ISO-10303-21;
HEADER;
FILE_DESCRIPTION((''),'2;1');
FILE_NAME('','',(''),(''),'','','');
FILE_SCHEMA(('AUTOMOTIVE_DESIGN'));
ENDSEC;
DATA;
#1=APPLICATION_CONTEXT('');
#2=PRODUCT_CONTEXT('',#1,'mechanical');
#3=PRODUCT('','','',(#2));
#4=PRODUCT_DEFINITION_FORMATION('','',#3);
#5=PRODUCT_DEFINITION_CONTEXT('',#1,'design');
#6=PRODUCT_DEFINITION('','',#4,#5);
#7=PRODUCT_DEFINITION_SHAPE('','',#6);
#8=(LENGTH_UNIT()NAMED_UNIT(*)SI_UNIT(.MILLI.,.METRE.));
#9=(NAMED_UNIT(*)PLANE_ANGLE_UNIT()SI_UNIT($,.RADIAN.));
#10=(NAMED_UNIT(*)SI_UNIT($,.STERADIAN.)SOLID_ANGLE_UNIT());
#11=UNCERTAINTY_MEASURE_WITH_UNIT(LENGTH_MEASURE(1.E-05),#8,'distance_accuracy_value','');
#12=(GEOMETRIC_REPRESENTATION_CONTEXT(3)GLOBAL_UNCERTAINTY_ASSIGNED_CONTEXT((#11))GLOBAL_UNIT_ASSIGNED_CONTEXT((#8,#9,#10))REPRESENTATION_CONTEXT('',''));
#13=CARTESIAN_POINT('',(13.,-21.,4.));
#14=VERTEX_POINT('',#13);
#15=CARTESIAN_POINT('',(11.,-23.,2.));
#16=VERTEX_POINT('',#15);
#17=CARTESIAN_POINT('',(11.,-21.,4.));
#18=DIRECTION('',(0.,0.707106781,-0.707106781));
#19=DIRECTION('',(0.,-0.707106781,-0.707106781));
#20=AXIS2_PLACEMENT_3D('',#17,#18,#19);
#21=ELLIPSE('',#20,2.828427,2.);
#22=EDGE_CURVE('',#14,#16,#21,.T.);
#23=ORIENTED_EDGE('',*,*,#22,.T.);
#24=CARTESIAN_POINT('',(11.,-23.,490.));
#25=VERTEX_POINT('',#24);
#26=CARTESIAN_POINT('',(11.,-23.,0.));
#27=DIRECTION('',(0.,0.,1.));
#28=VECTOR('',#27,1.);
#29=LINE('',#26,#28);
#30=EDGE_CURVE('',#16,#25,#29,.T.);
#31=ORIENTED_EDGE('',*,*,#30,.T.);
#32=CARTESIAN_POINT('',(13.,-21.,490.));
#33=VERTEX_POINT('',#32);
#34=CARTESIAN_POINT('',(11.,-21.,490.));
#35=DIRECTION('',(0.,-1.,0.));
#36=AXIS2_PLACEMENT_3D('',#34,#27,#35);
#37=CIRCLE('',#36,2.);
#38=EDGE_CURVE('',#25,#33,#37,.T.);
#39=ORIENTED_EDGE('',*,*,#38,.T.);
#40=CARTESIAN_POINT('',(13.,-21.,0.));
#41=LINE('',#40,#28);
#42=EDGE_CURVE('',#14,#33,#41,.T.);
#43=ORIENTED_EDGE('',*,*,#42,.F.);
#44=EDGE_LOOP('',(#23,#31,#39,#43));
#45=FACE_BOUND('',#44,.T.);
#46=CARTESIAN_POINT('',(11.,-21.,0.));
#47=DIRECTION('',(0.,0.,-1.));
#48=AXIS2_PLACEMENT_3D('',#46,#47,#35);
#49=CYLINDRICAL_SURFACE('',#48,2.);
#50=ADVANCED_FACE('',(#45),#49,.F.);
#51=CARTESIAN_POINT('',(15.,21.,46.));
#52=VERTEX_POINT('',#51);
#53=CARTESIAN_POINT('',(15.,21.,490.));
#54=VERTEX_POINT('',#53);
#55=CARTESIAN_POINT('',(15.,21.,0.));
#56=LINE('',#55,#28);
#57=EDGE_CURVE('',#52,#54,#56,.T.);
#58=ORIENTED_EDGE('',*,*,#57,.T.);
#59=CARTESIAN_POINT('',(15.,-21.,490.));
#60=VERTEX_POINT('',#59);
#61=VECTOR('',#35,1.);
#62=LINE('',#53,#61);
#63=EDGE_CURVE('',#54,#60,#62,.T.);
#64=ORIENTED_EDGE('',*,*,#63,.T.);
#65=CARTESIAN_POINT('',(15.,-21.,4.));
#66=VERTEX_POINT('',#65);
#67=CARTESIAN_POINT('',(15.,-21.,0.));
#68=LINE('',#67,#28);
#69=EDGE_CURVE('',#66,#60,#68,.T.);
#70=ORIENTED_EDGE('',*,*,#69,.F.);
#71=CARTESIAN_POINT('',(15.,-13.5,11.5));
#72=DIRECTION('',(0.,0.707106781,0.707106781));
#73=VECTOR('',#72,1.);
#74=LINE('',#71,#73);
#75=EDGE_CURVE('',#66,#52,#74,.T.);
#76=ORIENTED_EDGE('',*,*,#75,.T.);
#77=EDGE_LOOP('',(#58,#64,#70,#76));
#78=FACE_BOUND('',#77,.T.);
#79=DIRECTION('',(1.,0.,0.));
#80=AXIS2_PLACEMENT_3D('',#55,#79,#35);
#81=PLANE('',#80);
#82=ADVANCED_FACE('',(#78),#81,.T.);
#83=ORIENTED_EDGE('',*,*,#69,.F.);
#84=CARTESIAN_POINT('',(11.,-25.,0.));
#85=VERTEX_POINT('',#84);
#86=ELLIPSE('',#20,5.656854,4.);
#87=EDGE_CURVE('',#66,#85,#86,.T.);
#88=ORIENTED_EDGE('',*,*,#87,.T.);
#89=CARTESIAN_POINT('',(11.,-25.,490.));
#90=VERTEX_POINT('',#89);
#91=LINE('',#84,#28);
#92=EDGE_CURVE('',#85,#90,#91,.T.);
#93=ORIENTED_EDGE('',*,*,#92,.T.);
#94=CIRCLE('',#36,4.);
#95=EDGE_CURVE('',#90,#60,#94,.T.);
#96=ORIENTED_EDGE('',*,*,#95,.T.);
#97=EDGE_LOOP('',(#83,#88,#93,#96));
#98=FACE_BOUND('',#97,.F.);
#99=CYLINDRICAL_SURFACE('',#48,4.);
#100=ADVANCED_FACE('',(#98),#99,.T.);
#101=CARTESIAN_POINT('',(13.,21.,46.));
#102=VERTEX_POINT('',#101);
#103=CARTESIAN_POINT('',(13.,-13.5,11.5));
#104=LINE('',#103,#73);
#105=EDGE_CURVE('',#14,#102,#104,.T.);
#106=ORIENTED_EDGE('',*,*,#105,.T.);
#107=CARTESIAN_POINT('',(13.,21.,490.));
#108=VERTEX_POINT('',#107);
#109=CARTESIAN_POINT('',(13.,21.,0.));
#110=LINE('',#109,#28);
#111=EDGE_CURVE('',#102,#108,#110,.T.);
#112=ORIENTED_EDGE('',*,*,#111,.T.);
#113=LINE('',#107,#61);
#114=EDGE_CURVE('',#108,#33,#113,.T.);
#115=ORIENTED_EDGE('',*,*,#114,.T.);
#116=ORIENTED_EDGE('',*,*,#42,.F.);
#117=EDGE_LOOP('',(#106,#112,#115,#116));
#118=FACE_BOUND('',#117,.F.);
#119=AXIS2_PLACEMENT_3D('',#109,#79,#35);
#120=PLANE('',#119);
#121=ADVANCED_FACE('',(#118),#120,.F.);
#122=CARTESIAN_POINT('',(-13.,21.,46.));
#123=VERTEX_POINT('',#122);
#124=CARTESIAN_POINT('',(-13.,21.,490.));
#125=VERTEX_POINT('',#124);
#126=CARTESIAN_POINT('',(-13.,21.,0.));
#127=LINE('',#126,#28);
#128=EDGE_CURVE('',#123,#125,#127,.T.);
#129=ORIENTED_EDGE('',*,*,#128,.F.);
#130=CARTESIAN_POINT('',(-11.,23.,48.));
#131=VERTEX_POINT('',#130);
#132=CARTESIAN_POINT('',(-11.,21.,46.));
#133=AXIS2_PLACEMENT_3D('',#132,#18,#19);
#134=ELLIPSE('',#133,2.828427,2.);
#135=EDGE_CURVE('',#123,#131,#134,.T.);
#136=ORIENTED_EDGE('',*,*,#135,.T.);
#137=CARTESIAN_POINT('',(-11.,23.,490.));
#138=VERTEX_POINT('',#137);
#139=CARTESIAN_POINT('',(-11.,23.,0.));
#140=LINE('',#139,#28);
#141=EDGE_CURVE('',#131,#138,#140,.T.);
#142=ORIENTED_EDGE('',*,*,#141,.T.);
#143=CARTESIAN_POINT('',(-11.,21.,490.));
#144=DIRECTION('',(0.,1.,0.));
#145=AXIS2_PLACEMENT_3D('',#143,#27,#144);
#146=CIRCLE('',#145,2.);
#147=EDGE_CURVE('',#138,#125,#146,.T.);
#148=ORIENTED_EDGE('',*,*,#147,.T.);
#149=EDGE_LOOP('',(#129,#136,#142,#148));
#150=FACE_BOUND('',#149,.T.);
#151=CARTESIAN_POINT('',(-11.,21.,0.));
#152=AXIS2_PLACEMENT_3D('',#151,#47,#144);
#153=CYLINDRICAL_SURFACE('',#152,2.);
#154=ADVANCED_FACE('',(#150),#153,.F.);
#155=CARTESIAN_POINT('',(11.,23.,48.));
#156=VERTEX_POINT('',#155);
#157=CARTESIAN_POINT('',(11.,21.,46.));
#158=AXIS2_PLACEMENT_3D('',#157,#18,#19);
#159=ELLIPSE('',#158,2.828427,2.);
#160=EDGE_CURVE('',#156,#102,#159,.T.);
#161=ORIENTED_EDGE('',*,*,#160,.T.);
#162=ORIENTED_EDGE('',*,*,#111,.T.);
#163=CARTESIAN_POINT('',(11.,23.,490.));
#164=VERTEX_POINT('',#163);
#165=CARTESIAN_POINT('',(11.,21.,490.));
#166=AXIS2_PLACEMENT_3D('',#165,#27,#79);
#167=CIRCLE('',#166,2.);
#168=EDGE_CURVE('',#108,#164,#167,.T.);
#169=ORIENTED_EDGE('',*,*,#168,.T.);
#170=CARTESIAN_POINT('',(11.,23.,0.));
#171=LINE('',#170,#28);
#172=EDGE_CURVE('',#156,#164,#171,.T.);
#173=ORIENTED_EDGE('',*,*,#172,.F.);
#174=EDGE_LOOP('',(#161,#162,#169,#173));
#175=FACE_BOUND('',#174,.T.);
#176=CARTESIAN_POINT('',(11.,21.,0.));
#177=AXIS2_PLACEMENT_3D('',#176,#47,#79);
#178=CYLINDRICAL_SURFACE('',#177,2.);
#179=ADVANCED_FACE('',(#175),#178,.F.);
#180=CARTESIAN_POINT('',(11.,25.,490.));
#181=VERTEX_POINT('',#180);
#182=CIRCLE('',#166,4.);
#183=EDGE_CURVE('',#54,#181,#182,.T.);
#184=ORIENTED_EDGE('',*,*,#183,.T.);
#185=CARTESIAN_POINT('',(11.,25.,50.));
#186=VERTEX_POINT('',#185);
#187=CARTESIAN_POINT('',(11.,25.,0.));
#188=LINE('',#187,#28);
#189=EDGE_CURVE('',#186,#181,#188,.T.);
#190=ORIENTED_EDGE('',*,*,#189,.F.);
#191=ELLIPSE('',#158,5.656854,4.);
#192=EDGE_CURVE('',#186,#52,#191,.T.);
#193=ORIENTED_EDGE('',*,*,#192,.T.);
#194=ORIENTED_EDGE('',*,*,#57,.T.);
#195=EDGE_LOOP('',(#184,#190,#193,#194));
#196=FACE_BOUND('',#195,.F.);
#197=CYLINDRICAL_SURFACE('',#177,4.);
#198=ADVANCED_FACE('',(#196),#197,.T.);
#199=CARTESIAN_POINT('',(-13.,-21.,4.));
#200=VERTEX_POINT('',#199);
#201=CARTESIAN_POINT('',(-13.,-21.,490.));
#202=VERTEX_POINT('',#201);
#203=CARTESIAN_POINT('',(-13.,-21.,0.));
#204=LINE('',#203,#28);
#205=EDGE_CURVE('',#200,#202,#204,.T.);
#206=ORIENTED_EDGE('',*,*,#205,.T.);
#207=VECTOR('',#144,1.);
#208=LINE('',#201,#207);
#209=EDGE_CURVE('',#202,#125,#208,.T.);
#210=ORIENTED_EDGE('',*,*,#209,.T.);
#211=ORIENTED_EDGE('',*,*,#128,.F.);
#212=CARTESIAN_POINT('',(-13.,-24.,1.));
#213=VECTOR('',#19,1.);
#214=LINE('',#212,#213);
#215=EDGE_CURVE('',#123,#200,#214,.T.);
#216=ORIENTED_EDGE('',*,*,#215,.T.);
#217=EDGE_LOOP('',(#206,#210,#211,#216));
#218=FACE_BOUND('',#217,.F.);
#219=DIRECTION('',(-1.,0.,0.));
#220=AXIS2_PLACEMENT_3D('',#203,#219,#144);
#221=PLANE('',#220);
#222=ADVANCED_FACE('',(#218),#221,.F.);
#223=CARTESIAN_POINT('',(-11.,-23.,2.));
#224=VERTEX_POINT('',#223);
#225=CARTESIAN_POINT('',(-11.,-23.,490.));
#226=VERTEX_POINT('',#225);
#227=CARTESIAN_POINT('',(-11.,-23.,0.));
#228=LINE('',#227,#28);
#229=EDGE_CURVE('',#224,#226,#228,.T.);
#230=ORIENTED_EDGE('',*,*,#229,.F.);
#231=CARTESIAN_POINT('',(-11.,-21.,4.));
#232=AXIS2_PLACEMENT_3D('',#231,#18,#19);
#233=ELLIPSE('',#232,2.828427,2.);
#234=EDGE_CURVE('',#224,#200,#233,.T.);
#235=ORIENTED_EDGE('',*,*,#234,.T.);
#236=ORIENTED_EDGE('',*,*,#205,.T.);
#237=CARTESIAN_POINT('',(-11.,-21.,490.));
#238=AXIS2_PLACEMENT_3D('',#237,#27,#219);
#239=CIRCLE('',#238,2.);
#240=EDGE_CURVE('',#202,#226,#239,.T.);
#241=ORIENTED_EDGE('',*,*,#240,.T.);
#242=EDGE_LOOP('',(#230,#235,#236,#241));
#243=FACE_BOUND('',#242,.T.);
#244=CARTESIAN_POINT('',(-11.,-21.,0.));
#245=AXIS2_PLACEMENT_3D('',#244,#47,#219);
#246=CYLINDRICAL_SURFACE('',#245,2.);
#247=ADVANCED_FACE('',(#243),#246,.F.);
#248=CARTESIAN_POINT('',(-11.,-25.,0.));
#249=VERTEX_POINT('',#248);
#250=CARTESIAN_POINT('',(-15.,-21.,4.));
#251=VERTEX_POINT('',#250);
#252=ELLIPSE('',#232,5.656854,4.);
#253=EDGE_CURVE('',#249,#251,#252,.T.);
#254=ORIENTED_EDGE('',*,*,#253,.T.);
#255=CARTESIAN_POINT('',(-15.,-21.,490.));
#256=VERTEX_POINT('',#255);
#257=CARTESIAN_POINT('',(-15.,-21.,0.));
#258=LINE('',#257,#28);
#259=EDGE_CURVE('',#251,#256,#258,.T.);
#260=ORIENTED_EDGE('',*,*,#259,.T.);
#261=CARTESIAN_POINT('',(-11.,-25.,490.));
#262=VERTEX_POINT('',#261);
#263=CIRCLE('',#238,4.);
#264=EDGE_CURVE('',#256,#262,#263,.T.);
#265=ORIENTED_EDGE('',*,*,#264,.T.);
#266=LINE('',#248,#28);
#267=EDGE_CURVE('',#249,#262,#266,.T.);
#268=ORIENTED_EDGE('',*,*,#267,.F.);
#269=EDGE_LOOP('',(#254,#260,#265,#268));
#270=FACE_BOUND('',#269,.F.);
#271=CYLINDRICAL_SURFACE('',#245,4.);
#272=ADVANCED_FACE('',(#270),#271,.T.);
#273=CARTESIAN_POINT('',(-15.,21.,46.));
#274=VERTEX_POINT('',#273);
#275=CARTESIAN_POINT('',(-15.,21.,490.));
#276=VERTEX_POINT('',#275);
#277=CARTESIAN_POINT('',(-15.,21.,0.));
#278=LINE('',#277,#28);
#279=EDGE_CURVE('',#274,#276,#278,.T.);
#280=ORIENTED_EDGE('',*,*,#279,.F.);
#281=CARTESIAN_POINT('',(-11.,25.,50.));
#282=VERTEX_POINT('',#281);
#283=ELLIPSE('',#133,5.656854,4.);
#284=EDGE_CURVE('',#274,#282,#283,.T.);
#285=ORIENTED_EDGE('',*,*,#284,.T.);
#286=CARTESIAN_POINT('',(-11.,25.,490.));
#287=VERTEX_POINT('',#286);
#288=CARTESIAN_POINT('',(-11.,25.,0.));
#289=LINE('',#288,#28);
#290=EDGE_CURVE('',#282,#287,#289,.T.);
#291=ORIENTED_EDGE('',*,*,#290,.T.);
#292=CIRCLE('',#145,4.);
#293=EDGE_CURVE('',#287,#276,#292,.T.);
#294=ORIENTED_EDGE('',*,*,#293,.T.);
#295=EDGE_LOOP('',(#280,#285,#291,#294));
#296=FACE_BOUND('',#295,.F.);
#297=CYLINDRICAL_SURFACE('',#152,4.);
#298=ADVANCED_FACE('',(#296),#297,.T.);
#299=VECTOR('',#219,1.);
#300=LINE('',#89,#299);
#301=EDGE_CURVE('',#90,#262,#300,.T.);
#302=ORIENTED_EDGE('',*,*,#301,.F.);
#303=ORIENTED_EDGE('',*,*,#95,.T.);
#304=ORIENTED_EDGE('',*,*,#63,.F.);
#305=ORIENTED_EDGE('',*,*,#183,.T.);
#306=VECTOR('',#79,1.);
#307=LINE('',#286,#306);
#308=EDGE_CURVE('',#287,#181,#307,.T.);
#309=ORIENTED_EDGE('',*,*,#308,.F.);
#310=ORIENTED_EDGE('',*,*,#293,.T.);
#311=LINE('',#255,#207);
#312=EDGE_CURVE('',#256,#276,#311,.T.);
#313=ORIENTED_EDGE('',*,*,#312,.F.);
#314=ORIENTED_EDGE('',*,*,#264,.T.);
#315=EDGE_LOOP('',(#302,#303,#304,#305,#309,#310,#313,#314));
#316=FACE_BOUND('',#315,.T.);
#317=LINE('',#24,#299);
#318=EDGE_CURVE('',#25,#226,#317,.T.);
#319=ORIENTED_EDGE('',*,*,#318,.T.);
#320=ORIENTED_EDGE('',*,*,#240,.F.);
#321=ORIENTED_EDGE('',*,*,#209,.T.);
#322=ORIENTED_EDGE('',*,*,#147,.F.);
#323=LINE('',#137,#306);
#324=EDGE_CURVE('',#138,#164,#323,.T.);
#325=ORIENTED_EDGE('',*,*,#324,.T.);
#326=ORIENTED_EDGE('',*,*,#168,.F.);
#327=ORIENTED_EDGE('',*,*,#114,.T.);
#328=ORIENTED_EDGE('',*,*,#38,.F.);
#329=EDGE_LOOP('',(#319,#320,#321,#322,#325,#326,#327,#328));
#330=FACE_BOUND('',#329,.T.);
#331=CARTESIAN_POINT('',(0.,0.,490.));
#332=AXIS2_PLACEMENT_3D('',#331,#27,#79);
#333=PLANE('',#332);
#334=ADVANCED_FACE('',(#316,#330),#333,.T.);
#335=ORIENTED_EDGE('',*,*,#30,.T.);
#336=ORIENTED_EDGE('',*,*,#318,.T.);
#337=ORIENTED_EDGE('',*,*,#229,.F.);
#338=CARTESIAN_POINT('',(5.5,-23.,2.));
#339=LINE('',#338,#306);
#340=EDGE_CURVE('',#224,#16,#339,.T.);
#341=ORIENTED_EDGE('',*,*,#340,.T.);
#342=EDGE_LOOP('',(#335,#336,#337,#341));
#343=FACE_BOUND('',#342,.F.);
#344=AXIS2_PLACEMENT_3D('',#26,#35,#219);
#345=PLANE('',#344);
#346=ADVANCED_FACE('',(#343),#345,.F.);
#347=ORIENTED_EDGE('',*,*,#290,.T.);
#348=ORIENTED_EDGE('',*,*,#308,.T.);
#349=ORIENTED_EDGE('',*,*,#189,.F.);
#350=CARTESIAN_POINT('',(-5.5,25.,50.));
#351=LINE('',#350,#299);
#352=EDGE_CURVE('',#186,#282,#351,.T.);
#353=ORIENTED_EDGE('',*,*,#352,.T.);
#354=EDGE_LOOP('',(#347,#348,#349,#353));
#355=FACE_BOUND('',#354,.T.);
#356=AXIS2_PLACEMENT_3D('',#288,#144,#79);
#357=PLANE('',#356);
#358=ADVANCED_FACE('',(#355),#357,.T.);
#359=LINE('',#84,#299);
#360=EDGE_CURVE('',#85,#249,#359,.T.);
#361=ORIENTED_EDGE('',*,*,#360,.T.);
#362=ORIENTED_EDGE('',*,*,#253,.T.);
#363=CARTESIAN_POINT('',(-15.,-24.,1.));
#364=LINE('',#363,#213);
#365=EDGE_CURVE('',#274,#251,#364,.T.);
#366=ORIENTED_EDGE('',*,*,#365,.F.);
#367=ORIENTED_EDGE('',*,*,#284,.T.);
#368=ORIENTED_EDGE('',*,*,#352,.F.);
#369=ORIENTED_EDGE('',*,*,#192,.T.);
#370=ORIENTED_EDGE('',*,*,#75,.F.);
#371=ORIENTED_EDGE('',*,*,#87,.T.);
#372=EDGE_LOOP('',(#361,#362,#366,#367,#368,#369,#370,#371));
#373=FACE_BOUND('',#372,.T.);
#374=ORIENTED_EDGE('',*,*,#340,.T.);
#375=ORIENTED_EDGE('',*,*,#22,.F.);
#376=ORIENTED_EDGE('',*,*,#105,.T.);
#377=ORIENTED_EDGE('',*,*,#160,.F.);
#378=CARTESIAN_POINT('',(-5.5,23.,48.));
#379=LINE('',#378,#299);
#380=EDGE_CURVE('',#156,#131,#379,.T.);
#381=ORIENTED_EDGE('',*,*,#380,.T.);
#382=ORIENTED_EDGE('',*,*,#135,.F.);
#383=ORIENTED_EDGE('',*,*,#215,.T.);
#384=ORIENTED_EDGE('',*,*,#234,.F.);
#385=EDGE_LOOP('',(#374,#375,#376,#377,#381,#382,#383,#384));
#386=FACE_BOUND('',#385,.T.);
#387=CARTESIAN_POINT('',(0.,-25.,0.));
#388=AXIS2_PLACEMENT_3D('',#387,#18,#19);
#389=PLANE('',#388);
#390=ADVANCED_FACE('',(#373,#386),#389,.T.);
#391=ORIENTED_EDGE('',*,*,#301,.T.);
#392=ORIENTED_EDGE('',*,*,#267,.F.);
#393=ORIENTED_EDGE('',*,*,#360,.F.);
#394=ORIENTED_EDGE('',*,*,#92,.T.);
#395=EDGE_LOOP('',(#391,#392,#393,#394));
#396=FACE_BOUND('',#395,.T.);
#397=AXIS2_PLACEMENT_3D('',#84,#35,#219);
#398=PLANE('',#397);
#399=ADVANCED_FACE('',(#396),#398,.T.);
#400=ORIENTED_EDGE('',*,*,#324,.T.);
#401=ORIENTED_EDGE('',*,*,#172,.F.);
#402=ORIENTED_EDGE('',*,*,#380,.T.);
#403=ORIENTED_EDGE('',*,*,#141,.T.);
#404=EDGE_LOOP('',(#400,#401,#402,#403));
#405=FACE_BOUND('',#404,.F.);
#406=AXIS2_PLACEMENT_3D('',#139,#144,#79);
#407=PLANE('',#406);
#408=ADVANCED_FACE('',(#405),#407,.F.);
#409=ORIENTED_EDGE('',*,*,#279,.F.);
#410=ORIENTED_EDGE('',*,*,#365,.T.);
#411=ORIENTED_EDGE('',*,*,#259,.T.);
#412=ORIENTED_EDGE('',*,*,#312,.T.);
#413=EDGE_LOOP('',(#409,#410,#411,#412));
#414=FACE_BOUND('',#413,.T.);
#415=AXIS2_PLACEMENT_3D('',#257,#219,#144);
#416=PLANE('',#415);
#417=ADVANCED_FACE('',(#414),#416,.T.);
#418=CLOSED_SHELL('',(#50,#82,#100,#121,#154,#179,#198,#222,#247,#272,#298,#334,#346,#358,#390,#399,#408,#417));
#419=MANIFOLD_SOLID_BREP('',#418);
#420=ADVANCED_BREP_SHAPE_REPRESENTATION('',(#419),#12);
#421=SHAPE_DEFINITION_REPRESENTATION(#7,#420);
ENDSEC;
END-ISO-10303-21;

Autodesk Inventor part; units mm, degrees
ref_plane "Plano inicial" through (0, 0, 0) normal (0, 0, 1) x (1, 0, 0)
ref_plane "Plano final" through (0, 0, 490) normal (0, 0, 1) x (1, 0, 0)
sketch "Esboço" plane through (0, 0, 0) normal (0, 0, 1) x (1, 0, 0)
  line L0 (-15, -21) -> (-15, 21)
  line L1 (-11, 25) -> (11, 25)
  line L2 (15, 21) -> (15, -21)
  line L3 (11, -25) -> (-11, -25)
  arc A0 (-15, -21) -> (-11, -25) centre (-11, -21) ccw
  arc A1 (15, 21) -> (11, 25) centre (11, 21) ccw
  arc A2 (-11, 25) -> (-15, 21) centre (-11, 21) ccw
  arc A3 (11, -25) -> (15, -21) centre (11, -21) ccw
  arc A4 (-11, 23) -> (-13, 21) centre (-11, 21) ccw
  line L4 (-11, 23) -> (11, 23)
  arc A5 (13, 21) -> (11, 23) centre (11, 21) ccw
  line L5 (13, 21) -> (13, -21)
  arc A6 (11, -23) -> (13, -21) centre (11, -21) ccw
  line L6 (11, -23) -> (-11, -23)
  arc A7 (-13, -21) -> (-11, -23) centre (-11, -21) ccw
  line L7 (-13, -21) -> (-13, 21)
  line L8 (0, 36.1598) -> (0, -36.1598) construction
  line L9 (-22.1598, 0) -> (22.1598, 0) construction
  dimension "d7" = 4
  dimension "d9" = 30
  dimension "d11" = 50
  dimension "d12" = 2
  dimension "d15" = 15
  dimension "d16" = 25
extrude "Corpo" add sketch "Esboço" along normal up to surface (490 mm away) from surface at 0
sketch "Sketch3" plane through (0, 0, 0) normal (0, 0, 1) x (1, 0, 0)
  line L0 (0, 0) -> (10, 0)
ref_plane "Work Plane3" through (0, 0, 0) normal (0, -1, 0) x (1, 0, 0)
sketch "Sketch4" plane through (0, 0, 0) normal (0, -1, 0) x (1, 0, 0)
  line L0 (-2, 0) -> (12, 0)
  line L1 (-2, 490) -> (12, 490)
  dimension "d18" = 490
ref_plane "Plano de trabalho4" through (0, -25, 0) normal (0, 0.7071, -0.7071) x (1, 0, 0)
split "Dividir1" plane through (0, -25, 0) removes the side toward (0, 0.7071, -0.7071)
equation "\"d7\" = G_IR"
equation "\"d9\" = G_W"
equation "\"d11\" = G_H"
equation "\"d12\" = G_T"
equation "\"d15\" = 0.5 * d9"
equation "\"d16\" = 0.5 * d11"
equation "\"d3\" = G_L"
equation "\"G_W\" = 30"
equation "\"G_H\" = 50"
equation "\"G_T\" = 2"
equation "\"G_IR\" = 4"
equation "\"G_L\" = d18"
equation "\"G_OFFSET_START\" = 0"
equation "\"G_OFFSET_END\" = 0"
properties part number "ISO 4019 - 50x30x2 - 490" material "Aço, suave"
